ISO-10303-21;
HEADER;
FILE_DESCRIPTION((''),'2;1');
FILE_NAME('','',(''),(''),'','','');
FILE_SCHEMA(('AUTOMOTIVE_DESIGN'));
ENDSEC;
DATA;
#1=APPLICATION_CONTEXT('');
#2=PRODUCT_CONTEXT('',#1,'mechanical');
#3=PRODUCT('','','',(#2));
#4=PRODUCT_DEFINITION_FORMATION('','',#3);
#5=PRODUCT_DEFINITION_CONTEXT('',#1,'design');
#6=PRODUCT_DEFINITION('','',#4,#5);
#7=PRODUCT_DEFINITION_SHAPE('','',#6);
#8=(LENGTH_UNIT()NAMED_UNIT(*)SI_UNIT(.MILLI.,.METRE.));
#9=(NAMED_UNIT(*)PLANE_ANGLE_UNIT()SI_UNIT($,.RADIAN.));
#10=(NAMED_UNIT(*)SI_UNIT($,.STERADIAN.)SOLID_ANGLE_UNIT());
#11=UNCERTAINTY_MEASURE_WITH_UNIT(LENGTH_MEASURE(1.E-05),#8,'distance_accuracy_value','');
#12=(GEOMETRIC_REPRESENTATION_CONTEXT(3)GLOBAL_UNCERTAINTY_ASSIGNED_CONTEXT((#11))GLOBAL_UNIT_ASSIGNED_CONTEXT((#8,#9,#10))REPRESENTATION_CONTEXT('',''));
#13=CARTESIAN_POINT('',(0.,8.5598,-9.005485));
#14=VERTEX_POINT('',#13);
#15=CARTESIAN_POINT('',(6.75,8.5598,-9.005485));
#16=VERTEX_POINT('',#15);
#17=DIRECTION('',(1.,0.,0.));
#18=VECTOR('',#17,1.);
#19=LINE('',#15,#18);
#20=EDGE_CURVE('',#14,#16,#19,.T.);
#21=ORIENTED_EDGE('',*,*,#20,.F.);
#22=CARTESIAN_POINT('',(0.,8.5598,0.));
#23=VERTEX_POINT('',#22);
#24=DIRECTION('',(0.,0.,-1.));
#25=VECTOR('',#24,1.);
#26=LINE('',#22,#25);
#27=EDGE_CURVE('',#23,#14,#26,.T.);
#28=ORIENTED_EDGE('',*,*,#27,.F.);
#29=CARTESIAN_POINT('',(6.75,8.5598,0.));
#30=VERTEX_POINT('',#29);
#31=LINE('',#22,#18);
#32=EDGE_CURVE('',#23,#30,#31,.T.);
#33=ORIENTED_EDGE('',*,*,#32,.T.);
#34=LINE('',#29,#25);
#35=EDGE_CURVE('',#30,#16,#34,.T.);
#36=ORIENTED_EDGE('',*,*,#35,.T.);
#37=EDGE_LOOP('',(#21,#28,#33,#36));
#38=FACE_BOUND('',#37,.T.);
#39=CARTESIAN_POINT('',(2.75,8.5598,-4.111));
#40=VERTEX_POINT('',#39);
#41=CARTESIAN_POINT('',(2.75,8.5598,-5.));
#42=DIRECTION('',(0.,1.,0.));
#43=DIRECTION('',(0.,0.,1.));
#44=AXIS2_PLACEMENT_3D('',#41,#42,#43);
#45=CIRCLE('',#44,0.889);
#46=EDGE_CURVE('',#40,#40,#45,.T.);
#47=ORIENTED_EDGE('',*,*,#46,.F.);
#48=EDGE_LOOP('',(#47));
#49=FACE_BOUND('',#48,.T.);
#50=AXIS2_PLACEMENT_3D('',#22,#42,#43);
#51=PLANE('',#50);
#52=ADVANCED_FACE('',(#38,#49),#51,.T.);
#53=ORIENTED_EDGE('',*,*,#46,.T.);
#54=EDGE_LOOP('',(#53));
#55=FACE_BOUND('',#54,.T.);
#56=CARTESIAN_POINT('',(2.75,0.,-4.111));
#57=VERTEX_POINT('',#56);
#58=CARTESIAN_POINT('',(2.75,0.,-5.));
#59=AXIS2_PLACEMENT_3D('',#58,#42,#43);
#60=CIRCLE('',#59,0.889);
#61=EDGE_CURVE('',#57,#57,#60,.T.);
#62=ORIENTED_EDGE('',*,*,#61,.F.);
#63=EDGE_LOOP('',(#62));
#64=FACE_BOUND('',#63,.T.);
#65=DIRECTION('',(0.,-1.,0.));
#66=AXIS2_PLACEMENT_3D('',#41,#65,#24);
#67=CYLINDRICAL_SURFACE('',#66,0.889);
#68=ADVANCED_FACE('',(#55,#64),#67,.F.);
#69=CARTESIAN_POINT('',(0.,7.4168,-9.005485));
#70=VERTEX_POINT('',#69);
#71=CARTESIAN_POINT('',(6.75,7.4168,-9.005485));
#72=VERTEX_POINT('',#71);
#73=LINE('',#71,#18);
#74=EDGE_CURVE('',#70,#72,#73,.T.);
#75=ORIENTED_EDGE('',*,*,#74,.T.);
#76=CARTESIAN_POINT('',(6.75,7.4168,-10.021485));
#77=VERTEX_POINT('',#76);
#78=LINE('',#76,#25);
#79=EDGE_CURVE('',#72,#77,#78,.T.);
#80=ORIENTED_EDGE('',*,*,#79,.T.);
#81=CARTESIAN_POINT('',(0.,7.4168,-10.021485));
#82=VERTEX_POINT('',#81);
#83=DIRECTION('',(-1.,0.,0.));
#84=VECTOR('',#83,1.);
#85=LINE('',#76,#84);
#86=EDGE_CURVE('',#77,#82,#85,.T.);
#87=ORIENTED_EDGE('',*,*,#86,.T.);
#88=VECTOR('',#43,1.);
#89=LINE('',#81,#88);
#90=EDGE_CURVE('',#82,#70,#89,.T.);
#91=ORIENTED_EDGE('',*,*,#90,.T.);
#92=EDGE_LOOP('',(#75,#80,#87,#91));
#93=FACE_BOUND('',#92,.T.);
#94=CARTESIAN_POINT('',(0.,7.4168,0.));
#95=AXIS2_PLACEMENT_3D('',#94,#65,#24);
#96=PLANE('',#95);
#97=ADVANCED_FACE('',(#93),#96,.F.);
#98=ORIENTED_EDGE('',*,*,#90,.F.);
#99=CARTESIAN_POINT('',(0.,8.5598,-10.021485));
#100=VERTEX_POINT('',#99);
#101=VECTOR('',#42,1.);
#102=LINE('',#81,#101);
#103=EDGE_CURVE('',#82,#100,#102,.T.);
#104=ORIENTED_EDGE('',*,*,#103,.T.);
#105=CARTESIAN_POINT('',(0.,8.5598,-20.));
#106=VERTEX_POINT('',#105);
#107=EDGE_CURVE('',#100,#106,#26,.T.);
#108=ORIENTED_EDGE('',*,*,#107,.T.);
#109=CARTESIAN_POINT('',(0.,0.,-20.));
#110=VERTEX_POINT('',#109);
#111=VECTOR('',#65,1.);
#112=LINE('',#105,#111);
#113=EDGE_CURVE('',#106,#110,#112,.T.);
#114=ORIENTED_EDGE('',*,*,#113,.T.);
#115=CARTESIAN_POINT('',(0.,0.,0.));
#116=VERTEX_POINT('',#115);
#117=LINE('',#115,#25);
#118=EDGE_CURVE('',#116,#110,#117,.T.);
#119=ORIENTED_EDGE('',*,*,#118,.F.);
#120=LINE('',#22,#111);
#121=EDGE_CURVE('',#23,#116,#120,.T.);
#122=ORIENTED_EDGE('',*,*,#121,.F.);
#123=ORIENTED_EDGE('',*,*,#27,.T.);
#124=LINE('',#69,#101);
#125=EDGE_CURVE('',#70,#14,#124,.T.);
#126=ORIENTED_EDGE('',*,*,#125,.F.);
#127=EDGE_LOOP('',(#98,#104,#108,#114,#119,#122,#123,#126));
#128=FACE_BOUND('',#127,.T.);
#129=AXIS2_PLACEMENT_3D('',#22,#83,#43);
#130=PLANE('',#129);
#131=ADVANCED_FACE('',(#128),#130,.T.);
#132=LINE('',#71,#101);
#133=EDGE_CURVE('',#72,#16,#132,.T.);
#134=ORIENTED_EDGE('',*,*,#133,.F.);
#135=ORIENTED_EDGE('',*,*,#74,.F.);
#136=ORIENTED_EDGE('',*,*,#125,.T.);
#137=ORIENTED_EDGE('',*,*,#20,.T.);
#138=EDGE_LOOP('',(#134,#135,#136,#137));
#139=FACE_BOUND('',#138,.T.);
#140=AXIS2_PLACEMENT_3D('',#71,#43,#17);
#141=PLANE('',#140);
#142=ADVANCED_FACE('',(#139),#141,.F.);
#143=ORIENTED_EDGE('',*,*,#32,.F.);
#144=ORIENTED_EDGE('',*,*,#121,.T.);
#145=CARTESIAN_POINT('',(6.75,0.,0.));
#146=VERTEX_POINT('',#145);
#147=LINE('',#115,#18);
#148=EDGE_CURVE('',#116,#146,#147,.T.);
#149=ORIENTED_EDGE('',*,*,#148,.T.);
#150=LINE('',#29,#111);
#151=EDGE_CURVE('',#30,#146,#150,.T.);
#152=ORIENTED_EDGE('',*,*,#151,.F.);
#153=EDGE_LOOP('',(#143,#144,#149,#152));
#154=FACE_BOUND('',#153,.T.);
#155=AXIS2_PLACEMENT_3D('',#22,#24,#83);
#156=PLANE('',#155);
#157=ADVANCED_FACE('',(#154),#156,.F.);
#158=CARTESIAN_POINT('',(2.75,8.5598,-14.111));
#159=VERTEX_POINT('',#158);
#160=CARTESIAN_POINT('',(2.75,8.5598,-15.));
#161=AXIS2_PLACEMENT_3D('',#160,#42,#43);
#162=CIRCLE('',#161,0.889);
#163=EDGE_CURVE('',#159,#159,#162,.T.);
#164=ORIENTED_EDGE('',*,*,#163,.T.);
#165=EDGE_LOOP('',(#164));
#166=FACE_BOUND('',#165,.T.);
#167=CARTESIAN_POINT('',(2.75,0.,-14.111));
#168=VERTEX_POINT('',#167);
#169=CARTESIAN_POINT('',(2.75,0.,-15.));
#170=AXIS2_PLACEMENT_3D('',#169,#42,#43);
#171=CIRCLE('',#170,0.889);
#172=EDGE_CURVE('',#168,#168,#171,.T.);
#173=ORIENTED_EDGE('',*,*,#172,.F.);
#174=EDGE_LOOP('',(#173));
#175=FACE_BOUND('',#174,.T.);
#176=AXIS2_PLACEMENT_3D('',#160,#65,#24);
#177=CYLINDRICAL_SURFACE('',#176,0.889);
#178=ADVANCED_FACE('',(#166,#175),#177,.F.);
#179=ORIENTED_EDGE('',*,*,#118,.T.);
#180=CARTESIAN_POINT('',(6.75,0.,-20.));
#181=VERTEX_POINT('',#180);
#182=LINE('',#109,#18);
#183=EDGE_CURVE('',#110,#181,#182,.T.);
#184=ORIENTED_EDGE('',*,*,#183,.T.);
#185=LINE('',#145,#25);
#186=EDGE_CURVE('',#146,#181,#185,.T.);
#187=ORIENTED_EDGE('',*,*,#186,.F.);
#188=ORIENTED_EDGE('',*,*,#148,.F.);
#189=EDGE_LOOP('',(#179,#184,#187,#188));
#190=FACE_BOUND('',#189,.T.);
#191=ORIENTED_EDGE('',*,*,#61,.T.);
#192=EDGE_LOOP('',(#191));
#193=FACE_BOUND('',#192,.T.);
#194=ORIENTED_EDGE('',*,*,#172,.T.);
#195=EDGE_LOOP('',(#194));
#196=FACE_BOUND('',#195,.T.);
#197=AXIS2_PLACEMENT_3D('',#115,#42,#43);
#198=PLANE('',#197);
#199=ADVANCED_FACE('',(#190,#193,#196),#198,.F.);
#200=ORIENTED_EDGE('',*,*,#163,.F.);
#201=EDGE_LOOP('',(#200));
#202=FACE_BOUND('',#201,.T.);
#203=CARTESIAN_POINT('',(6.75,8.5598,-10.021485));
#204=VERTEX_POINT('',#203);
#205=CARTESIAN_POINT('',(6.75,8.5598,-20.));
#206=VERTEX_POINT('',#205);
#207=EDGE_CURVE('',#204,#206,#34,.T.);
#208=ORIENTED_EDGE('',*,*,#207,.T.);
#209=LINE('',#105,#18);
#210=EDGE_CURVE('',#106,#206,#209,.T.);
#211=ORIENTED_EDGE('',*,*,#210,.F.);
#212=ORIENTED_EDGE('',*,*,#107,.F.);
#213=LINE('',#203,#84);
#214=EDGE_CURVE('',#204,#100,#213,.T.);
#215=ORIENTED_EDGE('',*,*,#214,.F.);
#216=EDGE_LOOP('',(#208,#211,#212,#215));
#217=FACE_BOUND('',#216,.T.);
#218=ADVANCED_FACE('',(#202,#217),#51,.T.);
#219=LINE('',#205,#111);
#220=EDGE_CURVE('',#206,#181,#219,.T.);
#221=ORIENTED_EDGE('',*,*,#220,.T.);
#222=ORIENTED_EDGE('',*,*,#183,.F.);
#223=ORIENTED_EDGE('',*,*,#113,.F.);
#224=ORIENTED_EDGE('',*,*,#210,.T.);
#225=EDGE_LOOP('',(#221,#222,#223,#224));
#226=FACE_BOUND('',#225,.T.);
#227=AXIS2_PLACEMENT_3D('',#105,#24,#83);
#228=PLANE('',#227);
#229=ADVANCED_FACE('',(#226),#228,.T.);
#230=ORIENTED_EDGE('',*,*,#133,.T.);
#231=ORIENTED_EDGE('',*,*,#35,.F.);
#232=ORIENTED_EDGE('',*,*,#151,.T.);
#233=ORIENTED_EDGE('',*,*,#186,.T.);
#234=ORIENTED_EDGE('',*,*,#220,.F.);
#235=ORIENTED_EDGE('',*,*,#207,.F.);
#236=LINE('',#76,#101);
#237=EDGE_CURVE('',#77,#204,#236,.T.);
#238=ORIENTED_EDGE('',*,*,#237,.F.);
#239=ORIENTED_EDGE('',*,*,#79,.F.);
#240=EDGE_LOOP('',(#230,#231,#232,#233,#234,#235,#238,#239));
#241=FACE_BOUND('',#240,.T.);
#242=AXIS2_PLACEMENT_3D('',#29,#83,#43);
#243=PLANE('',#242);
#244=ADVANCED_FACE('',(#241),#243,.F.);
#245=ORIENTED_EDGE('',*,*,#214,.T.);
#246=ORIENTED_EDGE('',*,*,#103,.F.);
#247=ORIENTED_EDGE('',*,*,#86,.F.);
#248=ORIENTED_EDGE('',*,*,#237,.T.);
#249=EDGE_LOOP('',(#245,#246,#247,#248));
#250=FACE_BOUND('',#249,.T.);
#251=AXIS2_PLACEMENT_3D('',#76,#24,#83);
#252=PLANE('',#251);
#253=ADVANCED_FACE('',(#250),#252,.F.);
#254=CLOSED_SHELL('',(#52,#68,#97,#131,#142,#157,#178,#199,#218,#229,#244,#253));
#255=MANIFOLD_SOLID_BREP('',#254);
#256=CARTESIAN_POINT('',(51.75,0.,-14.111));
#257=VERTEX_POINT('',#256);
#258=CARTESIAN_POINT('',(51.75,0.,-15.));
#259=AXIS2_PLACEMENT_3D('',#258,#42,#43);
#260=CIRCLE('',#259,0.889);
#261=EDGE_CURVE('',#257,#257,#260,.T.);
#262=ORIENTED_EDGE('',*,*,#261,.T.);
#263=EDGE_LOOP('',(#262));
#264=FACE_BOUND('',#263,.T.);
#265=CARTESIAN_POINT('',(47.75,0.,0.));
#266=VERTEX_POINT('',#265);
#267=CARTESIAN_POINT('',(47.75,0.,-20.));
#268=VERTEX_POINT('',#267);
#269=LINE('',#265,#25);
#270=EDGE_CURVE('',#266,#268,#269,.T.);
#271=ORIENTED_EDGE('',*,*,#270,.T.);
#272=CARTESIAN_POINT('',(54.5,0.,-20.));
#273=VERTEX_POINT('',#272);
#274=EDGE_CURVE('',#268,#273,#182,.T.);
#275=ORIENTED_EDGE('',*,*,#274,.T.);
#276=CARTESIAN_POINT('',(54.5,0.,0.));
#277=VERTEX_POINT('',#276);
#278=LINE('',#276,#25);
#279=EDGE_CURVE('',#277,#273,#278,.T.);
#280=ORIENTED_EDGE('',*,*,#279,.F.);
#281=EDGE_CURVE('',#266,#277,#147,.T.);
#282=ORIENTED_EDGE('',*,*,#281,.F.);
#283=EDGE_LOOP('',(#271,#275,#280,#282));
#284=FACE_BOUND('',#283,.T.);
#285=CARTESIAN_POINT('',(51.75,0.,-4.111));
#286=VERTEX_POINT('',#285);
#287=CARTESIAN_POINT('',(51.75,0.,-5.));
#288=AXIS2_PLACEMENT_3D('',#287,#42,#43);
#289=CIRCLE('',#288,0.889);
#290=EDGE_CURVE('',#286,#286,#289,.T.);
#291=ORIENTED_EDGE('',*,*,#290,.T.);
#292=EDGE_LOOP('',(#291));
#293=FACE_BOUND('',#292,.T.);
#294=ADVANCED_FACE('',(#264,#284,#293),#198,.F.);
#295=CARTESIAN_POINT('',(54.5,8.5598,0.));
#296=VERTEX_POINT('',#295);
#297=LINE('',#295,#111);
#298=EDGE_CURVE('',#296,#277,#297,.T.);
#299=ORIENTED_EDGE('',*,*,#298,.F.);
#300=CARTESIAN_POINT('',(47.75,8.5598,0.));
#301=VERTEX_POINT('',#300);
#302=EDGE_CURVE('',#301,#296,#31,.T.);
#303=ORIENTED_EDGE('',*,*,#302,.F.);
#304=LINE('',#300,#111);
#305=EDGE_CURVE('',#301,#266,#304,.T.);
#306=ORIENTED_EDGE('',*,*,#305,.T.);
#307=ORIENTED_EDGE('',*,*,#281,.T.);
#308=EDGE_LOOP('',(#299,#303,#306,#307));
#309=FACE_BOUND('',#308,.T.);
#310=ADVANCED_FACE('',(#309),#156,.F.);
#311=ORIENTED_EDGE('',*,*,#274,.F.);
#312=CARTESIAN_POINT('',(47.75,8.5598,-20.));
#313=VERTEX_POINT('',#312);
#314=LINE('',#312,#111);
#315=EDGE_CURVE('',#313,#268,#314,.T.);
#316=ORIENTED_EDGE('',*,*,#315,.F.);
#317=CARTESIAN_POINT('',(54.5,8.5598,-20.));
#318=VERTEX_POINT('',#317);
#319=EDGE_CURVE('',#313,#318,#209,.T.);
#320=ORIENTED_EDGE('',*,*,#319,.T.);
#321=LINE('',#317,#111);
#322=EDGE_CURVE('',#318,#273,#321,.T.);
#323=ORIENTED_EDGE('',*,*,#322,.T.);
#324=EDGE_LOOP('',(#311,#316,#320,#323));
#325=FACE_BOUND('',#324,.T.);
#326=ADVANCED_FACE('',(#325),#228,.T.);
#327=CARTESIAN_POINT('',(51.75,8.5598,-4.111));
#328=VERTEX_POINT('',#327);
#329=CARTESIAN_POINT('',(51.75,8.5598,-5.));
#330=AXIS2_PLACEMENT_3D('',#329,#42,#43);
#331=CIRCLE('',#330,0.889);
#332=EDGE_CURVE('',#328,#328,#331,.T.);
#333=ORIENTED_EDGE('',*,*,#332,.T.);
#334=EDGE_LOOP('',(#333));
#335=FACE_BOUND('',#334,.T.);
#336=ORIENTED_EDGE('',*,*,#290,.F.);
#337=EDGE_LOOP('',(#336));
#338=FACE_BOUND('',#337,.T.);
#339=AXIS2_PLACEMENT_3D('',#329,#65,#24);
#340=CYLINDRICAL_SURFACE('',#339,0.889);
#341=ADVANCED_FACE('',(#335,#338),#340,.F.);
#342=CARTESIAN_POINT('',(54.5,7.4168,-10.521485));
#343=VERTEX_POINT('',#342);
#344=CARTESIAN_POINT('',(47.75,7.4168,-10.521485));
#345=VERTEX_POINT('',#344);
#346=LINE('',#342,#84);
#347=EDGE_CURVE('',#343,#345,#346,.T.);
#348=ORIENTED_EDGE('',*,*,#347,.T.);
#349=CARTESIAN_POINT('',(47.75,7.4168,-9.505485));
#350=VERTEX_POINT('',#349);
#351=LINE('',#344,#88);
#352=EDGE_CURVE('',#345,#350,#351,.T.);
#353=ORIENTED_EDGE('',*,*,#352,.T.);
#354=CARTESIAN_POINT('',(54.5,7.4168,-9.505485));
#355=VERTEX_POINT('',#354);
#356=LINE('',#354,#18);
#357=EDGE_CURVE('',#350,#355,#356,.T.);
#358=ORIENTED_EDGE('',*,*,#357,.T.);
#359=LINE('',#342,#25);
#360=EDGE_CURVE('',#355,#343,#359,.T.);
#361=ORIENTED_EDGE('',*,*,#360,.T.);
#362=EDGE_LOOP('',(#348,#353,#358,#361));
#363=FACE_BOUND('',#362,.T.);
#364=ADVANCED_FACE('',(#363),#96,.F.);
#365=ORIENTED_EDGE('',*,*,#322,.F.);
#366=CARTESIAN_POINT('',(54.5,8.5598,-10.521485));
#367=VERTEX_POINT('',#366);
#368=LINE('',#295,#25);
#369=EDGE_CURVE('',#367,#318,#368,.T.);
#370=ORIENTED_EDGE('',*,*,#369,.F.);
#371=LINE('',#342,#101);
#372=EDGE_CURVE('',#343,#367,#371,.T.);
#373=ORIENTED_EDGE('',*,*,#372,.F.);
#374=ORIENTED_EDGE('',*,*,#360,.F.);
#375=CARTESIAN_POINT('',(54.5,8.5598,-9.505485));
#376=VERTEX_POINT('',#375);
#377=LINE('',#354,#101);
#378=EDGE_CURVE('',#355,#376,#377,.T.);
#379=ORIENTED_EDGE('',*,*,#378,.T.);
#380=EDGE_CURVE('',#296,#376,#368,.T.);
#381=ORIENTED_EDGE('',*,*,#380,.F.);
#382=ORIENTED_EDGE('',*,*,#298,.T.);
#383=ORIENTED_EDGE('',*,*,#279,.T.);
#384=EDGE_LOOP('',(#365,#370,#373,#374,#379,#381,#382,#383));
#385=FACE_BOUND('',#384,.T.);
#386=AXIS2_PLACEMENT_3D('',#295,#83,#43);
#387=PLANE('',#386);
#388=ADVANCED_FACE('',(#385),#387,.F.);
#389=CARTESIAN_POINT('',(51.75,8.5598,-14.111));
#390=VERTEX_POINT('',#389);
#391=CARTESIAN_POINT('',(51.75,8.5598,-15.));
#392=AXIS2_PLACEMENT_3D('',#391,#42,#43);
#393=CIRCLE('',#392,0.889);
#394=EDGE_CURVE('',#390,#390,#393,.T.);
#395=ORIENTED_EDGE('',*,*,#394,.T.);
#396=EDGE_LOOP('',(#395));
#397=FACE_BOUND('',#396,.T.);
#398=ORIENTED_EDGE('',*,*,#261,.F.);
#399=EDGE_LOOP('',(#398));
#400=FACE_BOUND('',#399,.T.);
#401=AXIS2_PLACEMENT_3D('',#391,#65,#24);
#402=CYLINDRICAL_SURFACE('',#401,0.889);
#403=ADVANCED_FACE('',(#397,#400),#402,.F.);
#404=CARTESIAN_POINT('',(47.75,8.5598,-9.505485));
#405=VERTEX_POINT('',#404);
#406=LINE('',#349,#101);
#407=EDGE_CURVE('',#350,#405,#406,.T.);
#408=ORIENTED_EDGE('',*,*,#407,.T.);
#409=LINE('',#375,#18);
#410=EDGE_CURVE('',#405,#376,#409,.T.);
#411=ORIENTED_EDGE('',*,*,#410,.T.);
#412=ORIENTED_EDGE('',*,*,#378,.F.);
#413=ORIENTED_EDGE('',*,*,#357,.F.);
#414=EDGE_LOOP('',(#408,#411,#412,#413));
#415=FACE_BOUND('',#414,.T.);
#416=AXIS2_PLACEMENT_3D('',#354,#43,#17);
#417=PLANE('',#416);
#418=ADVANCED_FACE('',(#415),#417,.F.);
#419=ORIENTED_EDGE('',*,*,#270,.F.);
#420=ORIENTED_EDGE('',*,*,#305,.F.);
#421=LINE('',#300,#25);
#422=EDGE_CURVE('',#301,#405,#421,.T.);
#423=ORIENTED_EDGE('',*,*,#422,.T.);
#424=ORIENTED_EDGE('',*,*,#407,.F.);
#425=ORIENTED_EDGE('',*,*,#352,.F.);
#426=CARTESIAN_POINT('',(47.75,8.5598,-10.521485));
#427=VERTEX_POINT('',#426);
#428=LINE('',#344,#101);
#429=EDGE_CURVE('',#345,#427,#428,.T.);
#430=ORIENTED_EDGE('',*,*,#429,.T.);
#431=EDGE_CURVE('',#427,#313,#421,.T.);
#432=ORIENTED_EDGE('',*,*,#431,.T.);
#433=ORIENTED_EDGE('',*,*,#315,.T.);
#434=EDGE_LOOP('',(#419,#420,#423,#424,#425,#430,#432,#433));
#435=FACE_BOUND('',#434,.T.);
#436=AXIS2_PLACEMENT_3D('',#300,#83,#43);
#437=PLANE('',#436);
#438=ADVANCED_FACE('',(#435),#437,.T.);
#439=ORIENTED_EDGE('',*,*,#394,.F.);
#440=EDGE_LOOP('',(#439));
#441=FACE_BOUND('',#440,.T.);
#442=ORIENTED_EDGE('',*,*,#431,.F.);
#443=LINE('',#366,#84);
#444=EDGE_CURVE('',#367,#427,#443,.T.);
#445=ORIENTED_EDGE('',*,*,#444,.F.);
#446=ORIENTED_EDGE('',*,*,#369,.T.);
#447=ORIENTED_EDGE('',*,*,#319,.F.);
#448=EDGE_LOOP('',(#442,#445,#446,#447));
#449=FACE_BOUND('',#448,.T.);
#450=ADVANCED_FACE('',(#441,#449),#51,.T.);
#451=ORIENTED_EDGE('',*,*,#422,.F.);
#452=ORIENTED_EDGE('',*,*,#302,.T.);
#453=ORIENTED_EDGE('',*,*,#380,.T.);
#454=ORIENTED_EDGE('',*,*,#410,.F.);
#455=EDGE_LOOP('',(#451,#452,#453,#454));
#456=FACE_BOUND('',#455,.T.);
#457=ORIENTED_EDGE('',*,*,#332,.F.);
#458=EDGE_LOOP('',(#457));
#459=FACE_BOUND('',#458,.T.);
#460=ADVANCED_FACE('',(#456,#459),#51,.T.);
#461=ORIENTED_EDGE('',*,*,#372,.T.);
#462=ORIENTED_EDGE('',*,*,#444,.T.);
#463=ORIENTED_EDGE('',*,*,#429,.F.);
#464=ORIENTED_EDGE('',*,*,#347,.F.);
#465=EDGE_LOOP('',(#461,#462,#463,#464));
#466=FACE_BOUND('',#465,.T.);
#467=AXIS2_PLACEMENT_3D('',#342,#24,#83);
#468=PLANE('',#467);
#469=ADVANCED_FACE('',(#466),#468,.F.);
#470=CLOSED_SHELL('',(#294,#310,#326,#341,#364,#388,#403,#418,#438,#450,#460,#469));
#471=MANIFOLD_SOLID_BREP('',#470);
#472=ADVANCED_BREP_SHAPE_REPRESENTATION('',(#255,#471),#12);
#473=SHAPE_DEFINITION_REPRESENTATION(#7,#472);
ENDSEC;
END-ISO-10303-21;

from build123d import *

# Parameters (mm, degrees)
SKETCH1_W             = 6.75
SKETCH1_H             = 20
SKETCH1_R             = 0.889
BOSS_EXTRUDE1_DEPTH   = 8.5598
BOSS_EXTRUDE1_2_DEPTH = 8.5598
SKETCH2_W             = 6.75
SKETCH2_H             = 1.016
CUT_EXTRUDE1_DEPTH    = 1.143


with BuildPart() as part:
    # Sketch1 → Boss-Extrude1 (new body)
    with BuildSketch(Plane(origin=(0, 0, 0), x_dir=(1, 0, 0), z_dir=(0, 1, 0))):
        with Locations((3.375, 10)):
            Rectangle(SKETCH1_W, SKETCH1_H)
        with Locations((2.75, 15)):
            Circle(SKETCH1_R, mode=Mode.SUBTRACT)
        with Locations((2.75, 5)):
            Circle(SKETCH1_R, mode=Mode.SUBTRACT)
    extrude(amount=BOSS_EXTRUDE1_DEPTH)


with BuildPart() as body_2:
    # Sketch1 → Boss-Extrude1 2 (new body)
    with BuildSketch(Plane(origin=(0, 0, 0), x_dir=(1, 0, 0), z_dir=(0, 1, 0))):
        with Locations((51.125, 10)):
            Rectangle(SKETCH1_W, SKETCH1_H)
        with Locations((51.75, 15)):
            Circle(SKETCH1_R, mode=Mode.SUBTRACT)
        with Locations((51.75, 5)):
            Circle(SKETCH1_R, mode=Mode.SUBTRACT)
    extrude(amount=BOSS_EXTRUDE1_2_DEPTH)


with BuildPart() as cut_extrude1_tool:
    # Sketch2 → Cut-Extrude1 (new body)
    with BuildSketch(Plane(origin=(0, 8.5598, 0), x_dir=(1, 0, 0), z_dir=(0, 1, 0))):
        with Locations((3.375, 9.513485429)):
            Rectangle(SKETCH2_W, SKETCH2_H)
        with Locations((51.125, 10.013485429)):
            Rectangle(SKETCH2_W, SKETCH2_H)
    extrude(amount=-CUT_EXTRUDE1_DEPTH)


with BuildPart() as part_1:
    add(part.part)

    # Cut-Extrude1: cut by cut_extrude1_tool
    add(cut_extrude1_tool.part, mode=Mode.SUBTRACT)


with BuildPart() as body_2_1:
    add(body_2.part)

    # Cut-Extrude1: cut by cut_extrude1_tool
    add(cut_extrude1_tool.part, mode=Mode.SUBTRACT)


solid = Compound([part_1.part, body_2_1.part])
